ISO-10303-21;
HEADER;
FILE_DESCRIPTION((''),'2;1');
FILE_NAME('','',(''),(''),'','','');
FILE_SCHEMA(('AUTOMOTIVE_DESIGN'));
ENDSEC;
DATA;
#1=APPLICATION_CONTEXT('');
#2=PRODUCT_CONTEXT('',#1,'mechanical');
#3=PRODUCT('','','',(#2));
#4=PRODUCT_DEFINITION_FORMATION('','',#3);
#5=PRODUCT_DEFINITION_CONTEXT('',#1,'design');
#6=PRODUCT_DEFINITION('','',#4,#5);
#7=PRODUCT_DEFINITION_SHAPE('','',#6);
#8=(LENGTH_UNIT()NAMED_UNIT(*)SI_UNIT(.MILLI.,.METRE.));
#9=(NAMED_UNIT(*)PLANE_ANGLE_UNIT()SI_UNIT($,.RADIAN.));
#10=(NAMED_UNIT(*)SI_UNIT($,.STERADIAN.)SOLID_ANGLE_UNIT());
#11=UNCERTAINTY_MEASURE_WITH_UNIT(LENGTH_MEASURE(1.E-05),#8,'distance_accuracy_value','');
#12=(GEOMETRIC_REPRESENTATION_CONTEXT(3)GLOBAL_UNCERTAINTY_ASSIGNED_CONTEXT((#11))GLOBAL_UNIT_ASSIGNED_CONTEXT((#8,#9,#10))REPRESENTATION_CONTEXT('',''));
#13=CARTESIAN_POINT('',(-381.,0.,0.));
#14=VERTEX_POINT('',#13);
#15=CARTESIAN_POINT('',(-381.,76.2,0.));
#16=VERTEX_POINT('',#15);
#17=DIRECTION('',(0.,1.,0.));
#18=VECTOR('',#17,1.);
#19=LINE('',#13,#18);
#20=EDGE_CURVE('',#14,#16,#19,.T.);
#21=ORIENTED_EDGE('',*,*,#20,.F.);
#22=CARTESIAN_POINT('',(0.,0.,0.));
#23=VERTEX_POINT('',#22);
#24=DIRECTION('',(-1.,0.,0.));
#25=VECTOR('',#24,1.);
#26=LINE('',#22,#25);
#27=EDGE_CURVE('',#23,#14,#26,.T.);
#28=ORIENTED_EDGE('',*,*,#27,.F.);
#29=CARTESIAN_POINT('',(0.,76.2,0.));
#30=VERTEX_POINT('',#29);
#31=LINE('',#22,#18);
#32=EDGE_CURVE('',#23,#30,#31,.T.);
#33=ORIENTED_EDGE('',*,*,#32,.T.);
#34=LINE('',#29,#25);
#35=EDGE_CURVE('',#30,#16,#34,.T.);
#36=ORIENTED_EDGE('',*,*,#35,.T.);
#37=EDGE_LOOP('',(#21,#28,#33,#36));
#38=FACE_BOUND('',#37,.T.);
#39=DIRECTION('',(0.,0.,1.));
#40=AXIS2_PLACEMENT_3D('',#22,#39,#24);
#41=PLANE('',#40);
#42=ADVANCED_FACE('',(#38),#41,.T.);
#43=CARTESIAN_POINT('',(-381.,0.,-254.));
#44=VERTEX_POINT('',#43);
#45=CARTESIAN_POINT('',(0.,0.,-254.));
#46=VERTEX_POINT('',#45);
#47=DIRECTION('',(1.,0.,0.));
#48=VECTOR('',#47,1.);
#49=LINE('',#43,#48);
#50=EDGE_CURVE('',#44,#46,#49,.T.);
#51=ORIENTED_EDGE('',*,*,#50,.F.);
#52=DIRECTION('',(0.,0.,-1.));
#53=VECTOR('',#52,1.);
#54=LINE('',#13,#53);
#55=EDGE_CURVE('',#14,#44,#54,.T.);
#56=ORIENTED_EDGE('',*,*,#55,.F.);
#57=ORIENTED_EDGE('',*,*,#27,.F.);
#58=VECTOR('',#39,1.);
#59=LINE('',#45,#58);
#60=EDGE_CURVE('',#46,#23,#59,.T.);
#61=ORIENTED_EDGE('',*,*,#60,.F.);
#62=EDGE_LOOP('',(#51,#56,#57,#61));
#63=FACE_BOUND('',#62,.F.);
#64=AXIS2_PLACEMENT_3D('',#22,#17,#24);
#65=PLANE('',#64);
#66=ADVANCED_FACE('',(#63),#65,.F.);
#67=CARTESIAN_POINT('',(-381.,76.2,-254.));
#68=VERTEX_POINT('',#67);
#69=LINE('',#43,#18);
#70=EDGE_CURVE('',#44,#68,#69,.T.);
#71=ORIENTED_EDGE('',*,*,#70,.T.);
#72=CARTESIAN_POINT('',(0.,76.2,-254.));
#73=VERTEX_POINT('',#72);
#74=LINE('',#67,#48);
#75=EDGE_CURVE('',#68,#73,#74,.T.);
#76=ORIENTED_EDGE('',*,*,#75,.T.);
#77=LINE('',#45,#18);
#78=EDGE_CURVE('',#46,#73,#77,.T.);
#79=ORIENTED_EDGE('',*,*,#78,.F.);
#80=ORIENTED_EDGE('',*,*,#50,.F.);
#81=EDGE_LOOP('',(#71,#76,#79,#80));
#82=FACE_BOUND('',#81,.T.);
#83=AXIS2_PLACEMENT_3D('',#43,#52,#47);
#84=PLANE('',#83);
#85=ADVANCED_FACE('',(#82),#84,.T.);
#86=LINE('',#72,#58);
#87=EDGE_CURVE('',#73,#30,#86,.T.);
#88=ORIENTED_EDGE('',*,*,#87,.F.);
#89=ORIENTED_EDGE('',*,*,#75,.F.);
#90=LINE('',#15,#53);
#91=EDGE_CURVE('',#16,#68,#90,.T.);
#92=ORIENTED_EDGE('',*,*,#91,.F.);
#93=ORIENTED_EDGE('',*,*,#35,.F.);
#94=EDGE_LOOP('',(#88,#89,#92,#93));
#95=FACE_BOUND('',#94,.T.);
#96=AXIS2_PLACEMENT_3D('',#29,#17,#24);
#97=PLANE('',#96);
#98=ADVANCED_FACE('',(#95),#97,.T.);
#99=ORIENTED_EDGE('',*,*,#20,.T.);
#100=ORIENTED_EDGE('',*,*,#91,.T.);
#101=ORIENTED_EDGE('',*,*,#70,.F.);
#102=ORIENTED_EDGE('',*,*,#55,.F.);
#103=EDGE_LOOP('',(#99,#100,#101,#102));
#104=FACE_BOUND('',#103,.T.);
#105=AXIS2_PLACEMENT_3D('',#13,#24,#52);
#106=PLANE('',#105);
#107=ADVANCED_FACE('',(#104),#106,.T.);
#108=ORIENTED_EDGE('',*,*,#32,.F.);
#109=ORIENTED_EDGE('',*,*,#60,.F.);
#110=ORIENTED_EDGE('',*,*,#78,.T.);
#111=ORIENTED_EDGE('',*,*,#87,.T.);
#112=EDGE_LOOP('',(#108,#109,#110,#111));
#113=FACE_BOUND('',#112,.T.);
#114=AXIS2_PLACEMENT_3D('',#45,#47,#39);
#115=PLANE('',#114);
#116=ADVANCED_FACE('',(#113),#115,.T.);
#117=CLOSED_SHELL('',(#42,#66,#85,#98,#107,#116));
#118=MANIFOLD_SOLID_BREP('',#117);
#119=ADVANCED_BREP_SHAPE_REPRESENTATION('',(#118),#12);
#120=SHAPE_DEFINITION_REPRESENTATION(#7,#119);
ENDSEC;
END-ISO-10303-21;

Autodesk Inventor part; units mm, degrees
ref_plane "YZ Plane" through (0, 0, 0) normal (1, 0, 0) x (0, 1, 0)
ref_plane "XZ Plane" through (0, 0, 0) normal (0, 1, 0) x (-1, 0, 0)
ref_plane "XY Plane" through (0, 0, 0) normal (0, 0, 1) x (1, 0, 0)
sketch "Sketch1" plane through (0, 0, 0) normal (0, 1, 0) x (-1, 0, 0)
  line L0 (0, 0) -> (381, 0)
  line L1 (381, 0) -> (381, -254)
  line L2 (381, -254) -> (0, -254)
  line L3 (0, -254) -> (0, 0)
  dimension "d0" = 381
  dimension "d1" = 254
extrude "Extrusion1" add sketch "Sketch1" along normal blind 76.2
sketch "Sketch2" plane through (0, 76.2, 0) normal (0, 1, 0) x (1, 0, 0)
  point P0 (0, 0)
sketch "Sketch3" plane through (0, 76.2, 0) normal (0, 1, 0) x (1, 0, 0)
  point P0 (0, 0)
properties part number "box_forklift"
